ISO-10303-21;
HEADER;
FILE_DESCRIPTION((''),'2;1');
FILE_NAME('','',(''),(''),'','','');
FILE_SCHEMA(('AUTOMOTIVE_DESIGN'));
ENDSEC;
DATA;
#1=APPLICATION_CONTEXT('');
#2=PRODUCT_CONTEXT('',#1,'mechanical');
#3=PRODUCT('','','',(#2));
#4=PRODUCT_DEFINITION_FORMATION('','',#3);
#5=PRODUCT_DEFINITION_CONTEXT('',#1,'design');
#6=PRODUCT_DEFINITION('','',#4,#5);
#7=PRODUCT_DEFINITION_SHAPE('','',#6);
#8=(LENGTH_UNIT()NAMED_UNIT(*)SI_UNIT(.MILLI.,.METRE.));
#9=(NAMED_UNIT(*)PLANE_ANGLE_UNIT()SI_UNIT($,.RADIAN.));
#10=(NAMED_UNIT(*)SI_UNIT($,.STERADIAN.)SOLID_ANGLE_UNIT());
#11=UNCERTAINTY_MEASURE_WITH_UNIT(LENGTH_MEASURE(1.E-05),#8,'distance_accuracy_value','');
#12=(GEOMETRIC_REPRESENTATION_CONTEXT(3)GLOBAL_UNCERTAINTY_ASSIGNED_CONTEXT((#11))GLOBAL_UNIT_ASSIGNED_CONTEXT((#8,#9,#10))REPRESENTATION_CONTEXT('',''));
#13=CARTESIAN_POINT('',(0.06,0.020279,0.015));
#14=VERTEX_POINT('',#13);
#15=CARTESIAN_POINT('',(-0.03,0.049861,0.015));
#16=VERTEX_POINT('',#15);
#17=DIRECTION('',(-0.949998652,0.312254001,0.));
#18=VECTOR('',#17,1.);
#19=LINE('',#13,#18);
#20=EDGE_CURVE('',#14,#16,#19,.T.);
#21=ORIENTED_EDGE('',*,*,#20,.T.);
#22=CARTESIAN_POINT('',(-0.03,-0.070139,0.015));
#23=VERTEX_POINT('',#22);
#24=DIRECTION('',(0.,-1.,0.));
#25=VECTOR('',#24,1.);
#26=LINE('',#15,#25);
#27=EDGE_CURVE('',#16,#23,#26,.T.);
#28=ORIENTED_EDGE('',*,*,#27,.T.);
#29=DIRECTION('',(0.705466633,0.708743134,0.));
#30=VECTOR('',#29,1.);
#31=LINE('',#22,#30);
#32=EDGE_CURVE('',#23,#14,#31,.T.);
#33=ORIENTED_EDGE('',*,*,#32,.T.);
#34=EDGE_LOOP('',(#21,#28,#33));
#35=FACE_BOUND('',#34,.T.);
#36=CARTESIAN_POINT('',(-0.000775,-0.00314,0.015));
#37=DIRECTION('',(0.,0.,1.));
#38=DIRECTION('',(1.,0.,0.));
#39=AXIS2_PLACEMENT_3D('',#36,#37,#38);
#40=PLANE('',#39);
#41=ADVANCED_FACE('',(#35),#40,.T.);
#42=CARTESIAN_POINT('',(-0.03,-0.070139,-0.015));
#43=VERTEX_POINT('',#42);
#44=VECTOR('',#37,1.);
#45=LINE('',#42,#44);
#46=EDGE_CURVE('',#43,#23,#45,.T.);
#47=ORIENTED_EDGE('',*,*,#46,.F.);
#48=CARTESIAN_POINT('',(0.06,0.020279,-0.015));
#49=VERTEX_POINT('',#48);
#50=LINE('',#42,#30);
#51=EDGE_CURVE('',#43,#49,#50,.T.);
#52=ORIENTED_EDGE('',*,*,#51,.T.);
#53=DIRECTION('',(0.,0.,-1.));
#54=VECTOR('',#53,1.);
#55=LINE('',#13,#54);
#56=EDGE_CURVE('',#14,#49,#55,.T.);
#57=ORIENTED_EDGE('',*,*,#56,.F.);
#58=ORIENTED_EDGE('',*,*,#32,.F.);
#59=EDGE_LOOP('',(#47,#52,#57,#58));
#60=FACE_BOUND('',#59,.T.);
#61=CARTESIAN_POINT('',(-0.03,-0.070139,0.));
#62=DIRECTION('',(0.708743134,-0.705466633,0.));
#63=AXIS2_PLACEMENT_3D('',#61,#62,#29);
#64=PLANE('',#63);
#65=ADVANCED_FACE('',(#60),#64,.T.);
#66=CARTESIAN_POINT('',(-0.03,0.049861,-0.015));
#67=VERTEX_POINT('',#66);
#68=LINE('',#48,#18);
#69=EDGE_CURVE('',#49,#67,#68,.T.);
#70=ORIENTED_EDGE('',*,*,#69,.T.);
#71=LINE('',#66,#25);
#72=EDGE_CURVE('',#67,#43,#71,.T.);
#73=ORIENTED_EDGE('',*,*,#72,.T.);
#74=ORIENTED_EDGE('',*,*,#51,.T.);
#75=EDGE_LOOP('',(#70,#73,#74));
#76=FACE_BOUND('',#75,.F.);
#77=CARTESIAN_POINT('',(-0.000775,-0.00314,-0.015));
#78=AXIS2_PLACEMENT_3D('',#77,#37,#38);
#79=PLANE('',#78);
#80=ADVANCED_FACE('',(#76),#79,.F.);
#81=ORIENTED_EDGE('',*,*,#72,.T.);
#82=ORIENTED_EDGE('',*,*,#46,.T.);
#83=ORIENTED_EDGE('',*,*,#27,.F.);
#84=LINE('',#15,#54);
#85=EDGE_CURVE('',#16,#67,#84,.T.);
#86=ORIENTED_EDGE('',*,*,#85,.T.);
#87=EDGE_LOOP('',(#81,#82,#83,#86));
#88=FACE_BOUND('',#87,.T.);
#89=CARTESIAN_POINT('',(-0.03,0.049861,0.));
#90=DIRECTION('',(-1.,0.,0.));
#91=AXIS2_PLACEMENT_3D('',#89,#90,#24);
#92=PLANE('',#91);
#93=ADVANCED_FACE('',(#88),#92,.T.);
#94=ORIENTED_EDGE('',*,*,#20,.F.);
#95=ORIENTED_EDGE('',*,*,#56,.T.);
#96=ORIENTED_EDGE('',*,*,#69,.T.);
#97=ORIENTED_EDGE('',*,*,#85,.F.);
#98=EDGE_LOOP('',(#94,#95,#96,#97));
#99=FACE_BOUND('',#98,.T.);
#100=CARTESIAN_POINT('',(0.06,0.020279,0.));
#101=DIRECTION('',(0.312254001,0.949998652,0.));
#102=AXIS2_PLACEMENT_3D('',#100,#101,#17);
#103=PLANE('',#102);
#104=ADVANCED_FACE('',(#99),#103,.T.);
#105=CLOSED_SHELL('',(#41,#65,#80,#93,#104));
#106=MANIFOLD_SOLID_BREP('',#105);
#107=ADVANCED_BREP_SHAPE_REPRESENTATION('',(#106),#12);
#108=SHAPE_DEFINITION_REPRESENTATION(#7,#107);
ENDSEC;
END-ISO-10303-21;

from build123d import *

# Parameters (mm, degrees)
PAD_DEPTH = 0.015


with BuildPart() as part:
    # Sketch → Pad (new body, symmetric)
    with BuildSketch(Plane.XY):
        Polygon((-0.03, 0.049861), (-0.03, -0.070139), (0.06, 0.020279), align=None)
    extrude(amount=PAD_DEPTH, both=True)


solid = part.part
